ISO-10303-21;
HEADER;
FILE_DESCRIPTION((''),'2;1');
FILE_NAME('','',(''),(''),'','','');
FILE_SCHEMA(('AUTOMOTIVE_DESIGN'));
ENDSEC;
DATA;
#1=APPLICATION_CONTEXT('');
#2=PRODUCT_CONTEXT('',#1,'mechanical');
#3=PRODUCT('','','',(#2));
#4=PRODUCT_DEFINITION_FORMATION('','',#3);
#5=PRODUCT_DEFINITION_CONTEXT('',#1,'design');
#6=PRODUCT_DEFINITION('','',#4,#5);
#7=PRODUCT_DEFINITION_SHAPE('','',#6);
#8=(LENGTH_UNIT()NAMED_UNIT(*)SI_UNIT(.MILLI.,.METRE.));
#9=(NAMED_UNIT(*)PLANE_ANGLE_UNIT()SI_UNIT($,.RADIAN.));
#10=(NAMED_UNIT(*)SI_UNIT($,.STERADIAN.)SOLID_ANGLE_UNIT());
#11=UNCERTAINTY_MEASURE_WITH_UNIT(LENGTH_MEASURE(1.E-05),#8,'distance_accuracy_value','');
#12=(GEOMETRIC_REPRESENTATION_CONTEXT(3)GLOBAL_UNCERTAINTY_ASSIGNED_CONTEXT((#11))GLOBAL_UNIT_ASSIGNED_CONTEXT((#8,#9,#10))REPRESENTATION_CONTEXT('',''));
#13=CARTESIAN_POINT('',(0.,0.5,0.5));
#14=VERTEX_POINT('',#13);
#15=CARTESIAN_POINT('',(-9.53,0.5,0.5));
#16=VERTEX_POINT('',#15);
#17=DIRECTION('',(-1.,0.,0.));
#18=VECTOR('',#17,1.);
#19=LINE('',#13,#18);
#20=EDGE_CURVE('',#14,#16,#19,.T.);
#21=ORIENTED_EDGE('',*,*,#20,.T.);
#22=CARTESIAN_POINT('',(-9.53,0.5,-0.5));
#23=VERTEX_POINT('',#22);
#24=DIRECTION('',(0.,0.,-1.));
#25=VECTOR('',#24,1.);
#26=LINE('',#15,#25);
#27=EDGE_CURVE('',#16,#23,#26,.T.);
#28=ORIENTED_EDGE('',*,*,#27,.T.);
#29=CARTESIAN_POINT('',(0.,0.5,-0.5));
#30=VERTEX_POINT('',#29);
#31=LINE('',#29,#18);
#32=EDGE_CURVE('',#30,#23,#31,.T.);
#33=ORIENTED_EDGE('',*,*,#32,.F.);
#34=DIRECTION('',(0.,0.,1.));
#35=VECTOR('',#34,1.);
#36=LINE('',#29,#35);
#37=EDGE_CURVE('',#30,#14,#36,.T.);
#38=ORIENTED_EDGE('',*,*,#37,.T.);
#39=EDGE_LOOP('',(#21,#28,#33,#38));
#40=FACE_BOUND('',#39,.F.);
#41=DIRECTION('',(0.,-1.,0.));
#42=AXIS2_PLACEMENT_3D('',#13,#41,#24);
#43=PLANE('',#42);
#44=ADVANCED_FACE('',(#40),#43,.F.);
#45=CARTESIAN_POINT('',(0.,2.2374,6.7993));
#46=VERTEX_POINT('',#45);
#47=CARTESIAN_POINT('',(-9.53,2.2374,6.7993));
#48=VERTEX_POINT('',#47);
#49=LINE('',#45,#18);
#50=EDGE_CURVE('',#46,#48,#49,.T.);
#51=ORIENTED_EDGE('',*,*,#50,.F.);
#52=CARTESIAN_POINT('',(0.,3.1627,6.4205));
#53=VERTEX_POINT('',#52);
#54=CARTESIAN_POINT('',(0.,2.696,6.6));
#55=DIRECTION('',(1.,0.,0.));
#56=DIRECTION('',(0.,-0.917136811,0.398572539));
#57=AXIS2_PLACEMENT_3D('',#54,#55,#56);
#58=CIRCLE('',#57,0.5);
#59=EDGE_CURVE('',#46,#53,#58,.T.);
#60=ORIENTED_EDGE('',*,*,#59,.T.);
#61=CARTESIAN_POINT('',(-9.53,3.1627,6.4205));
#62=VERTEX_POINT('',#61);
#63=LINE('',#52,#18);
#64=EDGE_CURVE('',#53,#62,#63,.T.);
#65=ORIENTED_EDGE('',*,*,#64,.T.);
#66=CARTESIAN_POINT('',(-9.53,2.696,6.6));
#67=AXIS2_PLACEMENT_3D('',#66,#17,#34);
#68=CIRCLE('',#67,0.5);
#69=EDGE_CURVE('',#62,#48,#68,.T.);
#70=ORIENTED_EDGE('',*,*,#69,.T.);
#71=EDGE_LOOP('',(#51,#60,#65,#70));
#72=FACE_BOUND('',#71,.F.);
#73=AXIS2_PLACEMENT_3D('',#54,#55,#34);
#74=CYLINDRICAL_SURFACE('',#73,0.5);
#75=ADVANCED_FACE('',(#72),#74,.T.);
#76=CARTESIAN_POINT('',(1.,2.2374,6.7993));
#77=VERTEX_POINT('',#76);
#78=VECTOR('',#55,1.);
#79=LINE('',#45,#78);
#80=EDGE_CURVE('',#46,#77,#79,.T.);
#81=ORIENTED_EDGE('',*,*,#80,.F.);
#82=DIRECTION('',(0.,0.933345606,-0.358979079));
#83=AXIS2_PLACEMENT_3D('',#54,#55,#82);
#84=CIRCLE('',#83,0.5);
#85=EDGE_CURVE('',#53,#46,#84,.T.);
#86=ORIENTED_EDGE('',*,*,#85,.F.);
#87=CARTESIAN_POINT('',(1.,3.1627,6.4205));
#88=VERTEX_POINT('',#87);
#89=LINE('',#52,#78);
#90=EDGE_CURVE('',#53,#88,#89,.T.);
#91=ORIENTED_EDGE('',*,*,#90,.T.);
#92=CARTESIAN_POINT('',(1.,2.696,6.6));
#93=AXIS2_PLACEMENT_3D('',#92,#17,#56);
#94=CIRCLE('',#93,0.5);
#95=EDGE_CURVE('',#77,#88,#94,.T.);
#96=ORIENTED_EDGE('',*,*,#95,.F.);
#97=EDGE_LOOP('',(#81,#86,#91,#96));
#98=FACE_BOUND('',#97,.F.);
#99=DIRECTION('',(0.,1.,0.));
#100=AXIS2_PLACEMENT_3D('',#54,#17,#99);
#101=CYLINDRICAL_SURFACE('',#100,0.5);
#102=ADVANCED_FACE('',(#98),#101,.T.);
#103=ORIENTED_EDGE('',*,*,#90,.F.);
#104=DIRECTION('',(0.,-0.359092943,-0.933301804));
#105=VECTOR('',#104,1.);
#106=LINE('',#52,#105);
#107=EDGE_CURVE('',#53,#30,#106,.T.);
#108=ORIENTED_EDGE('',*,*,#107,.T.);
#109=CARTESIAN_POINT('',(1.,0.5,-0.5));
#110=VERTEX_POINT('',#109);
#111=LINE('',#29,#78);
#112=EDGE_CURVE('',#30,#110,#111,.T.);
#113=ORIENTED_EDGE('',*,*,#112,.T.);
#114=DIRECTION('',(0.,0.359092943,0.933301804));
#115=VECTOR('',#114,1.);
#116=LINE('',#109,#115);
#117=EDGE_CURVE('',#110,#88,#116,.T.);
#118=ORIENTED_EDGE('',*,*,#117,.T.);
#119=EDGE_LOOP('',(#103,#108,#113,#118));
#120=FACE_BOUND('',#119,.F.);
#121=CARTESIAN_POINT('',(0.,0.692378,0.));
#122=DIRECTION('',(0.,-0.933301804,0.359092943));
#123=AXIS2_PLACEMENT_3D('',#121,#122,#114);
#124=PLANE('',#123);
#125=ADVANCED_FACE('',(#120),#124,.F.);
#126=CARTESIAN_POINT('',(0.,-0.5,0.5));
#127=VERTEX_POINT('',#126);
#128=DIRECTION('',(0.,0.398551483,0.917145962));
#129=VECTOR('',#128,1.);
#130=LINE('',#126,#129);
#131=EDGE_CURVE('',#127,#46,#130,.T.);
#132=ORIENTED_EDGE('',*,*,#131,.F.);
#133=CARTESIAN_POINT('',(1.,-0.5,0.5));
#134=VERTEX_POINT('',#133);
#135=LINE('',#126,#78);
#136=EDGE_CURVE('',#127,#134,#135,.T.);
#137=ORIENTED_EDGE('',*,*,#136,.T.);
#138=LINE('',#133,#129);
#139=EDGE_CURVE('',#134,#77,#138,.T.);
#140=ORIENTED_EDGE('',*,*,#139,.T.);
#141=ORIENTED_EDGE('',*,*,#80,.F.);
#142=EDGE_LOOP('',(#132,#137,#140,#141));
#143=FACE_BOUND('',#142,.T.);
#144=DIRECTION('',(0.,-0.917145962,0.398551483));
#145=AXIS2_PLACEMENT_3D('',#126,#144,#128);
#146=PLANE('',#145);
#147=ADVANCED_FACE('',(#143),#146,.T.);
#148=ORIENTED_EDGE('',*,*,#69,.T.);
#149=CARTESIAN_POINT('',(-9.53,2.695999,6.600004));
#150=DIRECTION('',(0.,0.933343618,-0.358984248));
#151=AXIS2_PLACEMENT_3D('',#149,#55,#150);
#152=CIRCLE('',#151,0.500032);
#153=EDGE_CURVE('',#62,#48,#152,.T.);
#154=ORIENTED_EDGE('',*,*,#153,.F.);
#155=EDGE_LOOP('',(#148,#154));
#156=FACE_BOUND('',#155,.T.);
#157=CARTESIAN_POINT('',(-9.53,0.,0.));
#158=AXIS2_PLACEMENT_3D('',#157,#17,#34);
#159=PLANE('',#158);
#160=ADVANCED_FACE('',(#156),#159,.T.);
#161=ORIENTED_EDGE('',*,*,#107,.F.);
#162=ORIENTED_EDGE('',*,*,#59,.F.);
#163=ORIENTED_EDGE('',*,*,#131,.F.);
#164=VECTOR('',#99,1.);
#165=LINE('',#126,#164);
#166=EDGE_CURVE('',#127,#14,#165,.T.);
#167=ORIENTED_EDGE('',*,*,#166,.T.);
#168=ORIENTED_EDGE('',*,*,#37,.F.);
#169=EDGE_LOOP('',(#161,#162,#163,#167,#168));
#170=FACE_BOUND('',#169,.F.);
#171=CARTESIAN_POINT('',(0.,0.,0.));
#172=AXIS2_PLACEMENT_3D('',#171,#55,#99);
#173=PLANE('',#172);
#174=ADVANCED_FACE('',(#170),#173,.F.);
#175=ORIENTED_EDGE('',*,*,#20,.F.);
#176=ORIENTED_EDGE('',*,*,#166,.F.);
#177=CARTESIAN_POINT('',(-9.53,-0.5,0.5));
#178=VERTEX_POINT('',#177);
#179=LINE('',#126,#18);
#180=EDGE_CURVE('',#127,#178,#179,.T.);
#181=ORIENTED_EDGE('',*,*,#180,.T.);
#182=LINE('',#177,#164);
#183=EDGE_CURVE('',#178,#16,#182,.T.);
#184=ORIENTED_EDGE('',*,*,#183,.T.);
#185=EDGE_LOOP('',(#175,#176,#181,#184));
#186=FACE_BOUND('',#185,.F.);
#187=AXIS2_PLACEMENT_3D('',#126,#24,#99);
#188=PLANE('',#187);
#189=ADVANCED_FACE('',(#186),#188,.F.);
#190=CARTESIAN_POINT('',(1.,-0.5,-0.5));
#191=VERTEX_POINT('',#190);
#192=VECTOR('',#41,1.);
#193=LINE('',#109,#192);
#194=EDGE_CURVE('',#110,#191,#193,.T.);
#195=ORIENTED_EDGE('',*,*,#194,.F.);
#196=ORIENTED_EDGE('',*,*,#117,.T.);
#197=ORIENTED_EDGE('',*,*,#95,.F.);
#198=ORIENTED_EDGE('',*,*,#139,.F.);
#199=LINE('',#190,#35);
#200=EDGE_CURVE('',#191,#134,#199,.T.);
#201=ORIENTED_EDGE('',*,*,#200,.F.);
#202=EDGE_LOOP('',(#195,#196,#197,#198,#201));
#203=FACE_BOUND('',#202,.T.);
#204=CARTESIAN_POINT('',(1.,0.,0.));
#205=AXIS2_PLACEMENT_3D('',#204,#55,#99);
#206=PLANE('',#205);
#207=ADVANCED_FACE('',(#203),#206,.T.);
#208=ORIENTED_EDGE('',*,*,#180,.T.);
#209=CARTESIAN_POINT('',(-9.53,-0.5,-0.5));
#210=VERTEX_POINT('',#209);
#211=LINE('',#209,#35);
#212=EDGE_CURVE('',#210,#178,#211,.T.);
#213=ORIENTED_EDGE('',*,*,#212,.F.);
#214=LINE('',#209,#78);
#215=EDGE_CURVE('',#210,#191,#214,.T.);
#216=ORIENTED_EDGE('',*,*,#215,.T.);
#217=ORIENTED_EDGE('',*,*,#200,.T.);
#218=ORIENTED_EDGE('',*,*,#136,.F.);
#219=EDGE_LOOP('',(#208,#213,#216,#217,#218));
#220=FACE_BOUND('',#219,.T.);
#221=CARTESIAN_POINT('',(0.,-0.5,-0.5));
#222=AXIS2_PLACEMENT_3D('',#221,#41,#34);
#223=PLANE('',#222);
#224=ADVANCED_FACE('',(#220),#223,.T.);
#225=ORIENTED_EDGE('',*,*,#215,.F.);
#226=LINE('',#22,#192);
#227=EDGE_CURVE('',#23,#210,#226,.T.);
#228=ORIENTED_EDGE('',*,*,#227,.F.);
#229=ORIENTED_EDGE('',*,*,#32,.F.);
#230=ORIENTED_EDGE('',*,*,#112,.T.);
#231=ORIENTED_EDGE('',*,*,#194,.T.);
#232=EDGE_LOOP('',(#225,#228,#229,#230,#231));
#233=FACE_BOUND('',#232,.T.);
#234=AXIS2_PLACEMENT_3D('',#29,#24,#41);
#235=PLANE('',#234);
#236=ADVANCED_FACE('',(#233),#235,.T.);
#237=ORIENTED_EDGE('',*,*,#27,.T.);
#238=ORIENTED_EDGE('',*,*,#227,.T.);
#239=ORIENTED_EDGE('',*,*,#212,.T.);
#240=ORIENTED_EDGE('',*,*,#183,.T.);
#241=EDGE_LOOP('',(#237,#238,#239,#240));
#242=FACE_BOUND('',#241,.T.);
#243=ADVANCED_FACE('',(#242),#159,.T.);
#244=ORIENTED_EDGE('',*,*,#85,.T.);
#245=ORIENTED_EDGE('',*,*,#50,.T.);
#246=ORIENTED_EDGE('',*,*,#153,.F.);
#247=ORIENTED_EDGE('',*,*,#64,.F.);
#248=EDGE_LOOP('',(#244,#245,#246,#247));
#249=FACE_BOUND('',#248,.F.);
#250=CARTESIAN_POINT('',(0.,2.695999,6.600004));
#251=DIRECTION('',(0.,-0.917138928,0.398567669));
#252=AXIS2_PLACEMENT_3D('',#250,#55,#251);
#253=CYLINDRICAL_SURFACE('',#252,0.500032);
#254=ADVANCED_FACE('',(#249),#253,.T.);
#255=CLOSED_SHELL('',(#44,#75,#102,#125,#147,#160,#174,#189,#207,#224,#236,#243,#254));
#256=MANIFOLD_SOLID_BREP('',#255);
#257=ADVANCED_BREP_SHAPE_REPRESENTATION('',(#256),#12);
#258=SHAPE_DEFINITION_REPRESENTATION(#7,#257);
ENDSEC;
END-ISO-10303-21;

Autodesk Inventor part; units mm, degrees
ref_plane "YZ Plane" through (0, 0, 0) normal (1, 0, 0) x (0, 1, 0)
ref_plane "XZ Plane" through (0, 0, 0) normal (0, 1, 0) x (-1, 0, 0)
ref_plane "XY Plane" through (0, 0, 0) normal (0, 0, 1) x (1, 0, 0)
sketch "Sketch1" plane through (0, 0, 0) normal (1, 0, 0) x (0, 1, 0)
  line L0 (0, 0) -> (2.696, 0)
  line L1 (2.696, 0) -> (2.696, 6.6)
  circle A0 centre (2.696, 6.6) radius 0.5
  line L2 (-0.5, 0.5) -> (0.5, 0.5)
  line L3 (0.5, 0.5) -> (0.5, -0.5)
  line L4 (0.5, -0.5) -> (-0.5, -0.5)
  line L5 (-0.5, -0.5) -> (-0.5, 0.5)
  line L6 (-0.5, 0.5) -> (0.5, -0.5) construction
  line L7 (0.5, 0.5) -> (-0.5, -0.5) construction
  line L8 (0.5, -0.5) -> (3.1627, 6.4205)
  line L9 (-0.5, 0.5) -> (2.2374, 6.7993)
  dimension "d0" = 2.696
  dimension "d1" = 6.6
  dimension "d2" = 1
  dimension "d3" = 1
  dimension "d4" = 1
extrude "Extrusion1" add sketch "Sketch1" along normal blind 1 contours L3 L2 L9 A0 L1 L8 L0 | L3 L4 L5 L2 | L0 L8 L3 | L1 A0 L8 | A0
sketch "Sketch2" plane through (0, 0, 0) normal (-1, 0, 0) x (0, 0, 1)
  line L0 (-0.5, -0.5) -> (0.5, -0.5)
  line L1 (0.5, -0.5) -> (0.5, 0.5)
  line L2 (0.5, 0.5) -> (-0.5, 0.5)
  line L3 (-0.5, 0.5) -> (-0.5, -0.5)
  line L4 (-0.5, -0.5) -> (0.5, 0.5) construction
  line L5 (0.5, -0.5) -> (-0.5, 0.5) construction
  arc A0 (6.7993, 2.2374) -> (6.4205, 3.1627) centre (6.6, 2.696) ccw projected
  circle A1 centre (6.6, 2.696) radius 0.5
  point P0 (0, 0)
  point P1 (6.4205, 3.1627)
  point P2 (6.7993, 2.2374)
  dimension "d7" = 1
  dimension "d8" = 1
extrude "Extrusion2" add sketch "Sketch2" along normal blind 9.53
properties part number "Radius_Bone1_Joint"
